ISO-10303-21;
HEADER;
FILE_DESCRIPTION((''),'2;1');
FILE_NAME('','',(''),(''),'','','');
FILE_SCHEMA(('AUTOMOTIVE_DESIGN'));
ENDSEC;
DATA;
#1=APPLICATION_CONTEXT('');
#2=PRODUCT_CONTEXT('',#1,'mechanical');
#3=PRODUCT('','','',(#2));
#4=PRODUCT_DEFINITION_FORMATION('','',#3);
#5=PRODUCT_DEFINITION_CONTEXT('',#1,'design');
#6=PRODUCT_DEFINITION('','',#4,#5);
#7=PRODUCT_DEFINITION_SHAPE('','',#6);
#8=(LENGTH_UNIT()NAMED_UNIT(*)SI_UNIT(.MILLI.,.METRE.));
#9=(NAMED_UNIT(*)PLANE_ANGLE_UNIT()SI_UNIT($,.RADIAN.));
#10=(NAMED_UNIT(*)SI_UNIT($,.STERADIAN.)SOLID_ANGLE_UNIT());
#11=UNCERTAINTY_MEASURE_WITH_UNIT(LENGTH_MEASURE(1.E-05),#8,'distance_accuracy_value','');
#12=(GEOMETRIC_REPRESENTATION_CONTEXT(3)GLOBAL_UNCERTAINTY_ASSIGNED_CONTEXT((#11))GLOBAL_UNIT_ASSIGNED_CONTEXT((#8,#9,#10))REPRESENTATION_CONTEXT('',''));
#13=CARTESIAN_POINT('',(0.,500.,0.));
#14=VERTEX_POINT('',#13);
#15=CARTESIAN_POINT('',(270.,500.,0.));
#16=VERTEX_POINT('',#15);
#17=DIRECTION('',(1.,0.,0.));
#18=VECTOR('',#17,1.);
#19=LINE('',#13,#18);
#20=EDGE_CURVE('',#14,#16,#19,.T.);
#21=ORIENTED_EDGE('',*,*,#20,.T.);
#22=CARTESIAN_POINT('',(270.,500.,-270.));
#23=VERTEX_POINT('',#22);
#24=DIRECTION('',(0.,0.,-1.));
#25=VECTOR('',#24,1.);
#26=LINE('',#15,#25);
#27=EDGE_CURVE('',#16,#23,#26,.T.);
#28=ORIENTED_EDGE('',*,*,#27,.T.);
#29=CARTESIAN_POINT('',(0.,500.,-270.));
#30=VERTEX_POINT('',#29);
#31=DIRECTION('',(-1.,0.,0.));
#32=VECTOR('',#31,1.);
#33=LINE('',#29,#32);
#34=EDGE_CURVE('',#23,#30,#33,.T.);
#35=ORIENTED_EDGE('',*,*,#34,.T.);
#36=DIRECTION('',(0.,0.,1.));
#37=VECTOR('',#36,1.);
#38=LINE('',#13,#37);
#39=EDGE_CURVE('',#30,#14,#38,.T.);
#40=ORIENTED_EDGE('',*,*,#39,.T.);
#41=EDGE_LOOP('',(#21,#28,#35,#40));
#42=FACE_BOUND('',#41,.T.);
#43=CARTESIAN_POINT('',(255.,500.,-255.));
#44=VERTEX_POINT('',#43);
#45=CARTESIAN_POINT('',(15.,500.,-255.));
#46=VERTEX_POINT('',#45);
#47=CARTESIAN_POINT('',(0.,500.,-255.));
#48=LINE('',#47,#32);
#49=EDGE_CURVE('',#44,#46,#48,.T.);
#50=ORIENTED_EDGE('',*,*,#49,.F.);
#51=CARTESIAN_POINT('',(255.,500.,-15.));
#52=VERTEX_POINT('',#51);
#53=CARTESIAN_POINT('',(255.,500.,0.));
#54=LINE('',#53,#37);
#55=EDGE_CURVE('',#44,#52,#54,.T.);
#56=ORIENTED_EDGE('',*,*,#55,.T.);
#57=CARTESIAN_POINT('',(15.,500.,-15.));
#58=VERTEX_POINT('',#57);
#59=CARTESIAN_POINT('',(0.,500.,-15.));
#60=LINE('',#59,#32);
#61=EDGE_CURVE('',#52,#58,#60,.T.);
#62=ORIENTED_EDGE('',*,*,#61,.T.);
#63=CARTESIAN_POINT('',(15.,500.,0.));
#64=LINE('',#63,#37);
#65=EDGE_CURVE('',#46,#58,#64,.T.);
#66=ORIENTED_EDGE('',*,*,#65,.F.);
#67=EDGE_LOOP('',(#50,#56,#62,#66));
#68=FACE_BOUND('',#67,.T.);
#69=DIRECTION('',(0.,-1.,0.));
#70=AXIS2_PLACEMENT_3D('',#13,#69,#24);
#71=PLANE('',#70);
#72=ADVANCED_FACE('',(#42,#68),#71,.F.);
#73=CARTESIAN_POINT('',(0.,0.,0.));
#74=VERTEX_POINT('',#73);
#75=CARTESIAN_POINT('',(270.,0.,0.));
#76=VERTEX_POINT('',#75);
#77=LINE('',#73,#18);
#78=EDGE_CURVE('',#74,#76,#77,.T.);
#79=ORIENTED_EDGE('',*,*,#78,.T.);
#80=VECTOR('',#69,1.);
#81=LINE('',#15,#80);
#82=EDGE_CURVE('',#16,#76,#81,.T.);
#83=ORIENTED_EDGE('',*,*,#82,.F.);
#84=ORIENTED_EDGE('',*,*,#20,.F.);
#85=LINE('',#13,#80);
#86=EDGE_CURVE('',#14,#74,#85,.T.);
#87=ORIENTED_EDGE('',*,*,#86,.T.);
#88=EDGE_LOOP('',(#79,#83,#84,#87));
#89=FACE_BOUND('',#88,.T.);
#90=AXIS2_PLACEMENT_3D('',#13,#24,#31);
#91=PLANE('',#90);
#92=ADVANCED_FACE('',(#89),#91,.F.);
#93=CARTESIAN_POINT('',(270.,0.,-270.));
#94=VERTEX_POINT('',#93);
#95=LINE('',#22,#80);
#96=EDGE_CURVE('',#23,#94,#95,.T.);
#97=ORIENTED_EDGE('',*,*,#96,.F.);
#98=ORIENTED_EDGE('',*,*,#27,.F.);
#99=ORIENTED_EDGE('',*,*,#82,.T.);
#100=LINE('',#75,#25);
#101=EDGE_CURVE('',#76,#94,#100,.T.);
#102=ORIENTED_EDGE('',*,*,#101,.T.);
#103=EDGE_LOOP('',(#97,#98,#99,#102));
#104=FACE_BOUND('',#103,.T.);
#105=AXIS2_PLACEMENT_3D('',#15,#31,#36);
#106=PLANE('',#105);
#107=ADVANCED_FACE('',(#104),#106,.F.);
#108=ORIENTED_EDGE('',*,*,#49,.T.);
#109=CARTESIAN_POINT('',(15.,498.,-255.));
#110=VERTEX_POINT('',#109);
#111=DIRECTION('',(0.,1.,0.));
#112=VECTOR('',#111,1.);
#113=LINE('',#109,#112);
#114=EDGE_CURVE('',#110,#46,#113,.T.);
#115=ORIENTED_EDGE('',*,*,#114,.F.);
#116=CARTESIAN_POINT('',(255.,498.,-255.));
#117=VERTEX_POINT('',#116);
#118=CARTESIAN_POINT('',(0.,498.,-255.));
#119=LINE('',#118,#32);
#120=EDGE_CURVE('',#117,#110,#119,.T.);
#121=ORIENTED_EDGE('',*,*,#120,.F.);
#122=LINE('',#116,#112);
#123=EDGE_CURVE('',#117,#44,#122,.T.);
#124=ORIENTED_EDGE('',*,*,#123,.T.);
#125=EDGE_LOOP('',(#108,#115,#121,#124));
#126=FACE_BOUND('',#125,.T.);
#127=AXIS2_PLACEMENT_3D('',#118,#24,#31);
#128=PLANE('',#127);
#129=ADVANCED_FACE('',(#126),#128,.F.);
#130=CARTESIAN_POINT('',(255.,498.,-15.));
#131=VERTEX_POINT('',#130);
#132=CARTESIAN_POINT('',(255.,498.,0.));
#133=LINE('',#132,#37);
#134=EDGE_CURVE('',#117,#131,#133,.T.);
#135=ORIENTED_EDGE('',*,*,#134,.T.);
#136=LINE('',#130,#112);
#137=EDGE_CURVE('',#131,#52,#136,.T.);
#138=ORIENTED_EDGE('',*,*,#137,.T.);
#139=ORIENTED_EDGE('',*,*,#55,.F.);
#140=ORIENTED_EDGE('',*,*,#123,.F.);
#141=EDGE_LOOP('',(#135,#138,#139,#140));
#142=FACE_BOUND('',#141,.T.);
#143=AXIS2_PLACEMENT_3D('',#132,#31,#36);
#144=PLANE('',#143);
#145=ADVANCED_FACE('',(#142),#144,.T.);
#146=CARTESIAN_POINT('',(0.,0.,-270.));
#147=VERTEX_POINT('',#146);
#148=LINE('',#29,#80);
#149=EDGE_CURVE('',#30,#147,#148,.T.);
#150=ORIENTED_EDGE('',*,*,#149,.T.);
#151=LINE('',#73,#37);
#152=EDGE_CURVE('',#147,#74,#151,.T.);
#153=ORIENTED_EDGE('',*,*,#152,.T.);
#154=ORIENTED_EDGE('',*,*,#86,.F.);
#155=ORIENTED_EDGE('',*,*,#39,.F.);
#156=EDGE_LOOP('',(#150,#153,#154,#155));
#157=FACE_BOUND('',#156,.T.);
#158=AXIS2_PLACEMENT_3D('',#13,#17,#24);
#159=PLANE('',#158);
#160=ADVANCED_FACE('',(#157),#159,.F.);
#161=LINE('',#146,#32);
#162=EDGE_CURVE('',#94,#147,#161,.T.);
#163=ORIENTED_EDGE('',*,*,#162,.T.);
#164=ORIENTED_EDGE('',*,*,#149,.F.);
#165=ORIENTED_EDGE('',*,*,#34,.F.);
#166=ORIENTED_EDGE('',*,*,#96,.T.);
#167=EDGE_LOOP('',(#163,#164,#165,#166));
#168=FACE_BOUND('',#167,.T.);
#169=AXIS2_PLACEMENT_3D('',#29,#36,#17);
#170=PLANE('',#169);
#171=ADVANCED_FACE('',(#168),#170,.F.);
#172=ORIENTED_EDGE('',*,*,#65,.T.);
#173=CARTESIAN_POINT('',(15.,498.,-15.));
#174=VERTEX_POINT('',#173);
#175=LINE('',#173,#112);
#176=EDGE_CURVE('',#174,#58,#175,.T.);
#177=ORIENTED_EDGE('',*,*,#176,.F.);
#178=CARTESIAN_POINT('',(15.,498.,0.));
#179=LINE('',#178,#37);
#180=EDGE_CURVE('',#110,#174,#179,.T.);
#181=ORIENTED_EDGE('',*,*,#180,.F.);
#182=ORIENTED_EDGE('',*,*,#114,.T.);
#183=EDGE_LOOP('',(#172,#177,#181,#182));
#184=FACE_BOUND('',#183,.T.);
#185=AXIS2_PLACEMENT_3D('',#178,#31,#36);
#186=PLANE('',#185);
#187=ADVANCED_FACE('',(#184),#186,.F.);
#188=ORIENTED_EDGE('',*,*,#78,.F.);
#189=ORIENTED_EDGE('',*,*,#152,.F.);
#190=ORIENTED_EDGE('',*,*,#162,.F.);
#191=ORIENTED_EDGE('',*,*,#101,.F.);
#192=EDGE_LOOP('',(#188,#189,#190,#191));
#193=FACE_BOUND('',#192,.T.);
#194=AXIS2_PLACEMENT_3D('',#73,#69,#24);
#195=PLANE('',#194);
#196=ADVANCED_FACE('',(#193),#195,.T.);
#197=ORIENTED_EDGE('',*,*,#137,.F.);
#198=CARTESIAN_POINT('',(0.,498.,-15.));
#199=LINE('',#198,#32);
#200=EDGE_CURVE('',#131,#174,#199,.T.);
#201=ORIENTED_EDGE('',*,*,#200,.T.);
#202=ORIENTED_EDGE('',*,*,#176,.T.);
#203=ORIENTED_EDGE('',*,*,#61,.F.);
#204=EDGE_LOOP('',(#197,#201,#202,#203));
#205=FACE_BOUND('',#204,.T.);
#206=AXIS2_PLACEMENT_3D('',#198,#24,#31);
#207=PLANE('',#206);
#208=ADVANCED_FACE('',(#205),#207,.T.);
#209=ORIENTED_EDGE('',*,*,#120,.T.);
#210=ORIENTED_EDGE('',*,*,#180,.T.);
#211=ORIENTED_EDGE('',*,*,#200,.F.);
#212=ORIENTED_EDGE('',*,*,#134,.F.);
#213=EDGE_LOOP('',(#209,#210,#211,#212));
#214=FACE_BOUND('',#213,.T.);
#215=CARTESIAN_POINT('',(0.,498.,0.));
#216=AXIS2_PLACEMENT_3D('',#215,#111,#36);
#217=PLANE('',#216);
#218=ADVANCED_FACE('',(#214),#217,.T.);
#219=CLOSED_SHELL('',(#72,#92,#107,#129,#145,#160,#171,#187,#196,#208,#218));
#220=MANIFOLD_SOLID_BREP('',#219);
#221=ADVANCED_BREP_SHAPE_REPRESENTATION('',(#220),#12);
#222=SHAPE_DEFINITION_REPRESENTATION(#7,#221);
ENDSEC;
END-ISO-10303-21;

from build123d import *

# Parameters (mm, degrees)
SKETCH2_W           = 270
SKETCH2_H           = 270
BOSS_EXTRUDE1_DEPTH = 500
SKETCH4_W           = 240
SKETCH4_H           = 240
CUT_EXTRUDE2_DEPTH  = 2


with BuildPart() as part:
    # Sketch2 → Boss-Extrude1 (new body)
    with BuildSketch(Plane(origin=(0, 0, 0), x_dir=(1, 0, 0), z_dir=(0, 1, 0))):
        with Locations((135, 135)):
            Rectangle(SKETCH2_W, SKETCH2_H)
    extrude(amount=BOSS_EXTRUDE1_DEPTH)

    # Sketch4 → Cut-Extrude2 (cut)
    with BuildSketch(Plane(origin=(0, 500, 0), x_dir=(1, 0, 0), z_dir=(0, 1, 0))):
        with Locations((135, 135)):
            Rectangle(SKETCH4_W, SKETCH4_H)
    extrude(amount=-CUT_EXTRUDE2_DEPTH, mode=Mode.SUBTRACT)


solid = part.part
